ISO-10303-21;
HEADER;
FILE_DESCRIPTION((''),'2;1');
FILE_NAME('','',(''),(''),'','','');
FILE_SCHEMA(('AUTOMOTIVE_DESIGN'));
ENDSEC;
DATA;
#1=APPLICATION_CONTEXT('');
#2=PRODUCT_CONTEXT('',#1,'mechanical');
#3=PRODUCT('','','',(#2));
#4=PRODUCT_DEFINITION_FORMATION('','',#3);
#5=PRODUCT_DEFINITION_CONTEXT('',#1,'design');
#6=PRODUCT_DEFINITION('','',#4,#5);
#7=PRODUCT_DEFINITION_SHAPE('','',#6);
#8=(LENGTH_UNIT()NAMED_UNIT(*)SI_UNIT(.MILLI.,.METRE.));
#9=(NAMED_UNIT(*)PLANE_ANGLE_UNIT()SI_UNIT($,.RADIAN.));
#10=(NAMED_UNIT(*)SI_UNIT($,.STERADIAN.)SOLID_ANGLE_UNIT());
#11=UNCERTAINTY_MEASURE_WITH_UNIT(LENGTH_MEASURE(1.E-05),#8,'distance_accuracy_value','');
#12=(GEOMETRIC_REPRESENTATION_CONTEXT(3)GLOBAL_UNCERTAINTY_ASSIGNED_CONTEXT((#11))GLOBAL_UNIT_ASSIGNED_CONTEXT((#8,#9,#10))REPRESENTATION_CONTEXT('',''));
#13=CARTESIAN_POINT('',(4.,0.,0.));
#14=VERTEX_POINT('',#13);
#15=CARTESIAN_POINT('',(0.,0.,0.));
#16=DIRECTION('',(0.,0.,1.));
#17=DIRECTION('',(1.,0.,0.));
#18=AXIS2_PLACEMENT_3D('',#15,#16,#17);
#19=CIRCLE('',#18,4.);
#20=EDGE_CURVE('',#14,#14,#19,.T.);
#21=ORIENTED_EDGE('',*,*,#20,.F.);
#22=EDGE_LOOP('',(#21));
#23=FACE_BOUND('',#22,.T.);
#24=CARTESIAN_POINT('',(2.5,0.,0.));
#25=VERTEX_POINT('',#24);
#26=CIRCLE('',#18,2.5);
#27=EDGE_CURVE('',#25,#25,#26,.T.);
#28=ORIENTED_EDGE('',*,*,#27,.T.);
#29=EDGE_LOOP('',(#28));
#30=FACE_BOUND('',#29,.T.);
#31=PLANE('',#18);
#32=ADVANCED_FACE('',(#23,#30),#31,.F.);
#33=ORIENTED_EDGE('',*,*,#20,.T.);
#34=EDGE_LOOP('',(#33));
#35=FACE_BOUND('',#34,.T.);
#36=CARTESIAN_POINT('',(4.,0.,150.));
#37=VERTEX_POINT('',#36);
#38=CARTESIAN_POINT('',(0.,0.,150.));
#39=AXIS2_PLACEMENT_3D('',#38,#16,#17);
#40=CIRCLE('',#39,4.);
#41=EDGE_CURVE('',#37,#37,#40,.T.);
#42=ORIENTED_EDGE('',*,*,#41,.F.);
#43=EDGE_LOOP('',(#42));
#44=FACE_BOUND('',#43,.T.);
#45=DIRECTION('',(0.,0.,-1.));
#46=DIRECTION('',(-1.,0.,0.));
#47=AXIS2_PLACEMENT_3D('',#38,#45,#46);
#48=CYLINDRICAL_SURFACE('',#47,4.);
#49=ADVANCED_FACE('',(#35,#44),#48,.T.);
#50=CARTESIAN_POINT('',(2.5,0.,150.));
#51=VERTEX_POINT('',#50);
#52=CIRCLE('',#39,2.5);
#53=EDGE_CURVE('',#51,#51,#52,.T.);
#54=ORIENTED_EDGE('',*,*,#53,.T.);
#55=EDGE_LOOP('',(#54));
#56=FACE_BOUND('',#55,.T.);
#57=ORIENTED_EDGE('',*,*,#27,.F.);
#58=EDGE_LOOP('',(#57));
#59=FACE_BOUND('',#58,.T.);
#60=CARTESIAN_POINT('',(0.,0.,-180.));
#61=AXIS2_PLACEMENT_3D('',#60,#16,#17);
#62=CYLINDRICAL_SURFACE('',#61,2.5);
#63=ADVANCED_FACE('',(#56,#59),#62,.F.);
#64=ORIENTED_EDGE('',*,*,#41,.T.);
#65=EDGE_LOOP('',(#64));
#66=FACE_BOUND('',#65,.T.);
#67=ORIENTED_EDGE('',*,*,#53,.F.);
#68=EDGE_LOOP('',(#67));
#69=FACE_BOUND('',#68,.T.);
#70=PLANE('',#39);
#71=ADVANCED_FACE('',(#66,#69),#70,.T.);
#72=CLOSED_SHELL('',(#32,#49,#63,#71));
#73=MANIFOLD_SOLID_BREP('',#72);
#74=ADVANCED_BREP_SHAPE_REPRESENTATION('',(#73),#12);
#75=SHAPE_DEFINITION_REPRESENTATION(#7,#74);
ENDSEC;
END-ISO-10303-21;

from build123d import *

# Parameters (mm, degrees)
SKETCH_1_R          = 4
EXTRUDE_1_DEPTH     = 150
SKETCH_2_R          = 2.5
CUT_EXTRUDE_1_DEPTH = 330


with BuildPart() as part:
    # 草图1 → 凸台-拉伸1 (new body)
    with BuildSketch(Plane.XY):
        Circle(SKETCH_1_R)
    extrude(amount=EXTRUDE_1_DEPTH)

    # 草图2 → 切除-拉伸1 (cut)
    with BuildSketch(Plane.XY.offset(150)):
        Circle(SKETCH_2_R)
    extrude(amount=-CUT_EXTRUDE_1_DEPTH, mode=Mode.SUBTRACT)


solid = part.part
